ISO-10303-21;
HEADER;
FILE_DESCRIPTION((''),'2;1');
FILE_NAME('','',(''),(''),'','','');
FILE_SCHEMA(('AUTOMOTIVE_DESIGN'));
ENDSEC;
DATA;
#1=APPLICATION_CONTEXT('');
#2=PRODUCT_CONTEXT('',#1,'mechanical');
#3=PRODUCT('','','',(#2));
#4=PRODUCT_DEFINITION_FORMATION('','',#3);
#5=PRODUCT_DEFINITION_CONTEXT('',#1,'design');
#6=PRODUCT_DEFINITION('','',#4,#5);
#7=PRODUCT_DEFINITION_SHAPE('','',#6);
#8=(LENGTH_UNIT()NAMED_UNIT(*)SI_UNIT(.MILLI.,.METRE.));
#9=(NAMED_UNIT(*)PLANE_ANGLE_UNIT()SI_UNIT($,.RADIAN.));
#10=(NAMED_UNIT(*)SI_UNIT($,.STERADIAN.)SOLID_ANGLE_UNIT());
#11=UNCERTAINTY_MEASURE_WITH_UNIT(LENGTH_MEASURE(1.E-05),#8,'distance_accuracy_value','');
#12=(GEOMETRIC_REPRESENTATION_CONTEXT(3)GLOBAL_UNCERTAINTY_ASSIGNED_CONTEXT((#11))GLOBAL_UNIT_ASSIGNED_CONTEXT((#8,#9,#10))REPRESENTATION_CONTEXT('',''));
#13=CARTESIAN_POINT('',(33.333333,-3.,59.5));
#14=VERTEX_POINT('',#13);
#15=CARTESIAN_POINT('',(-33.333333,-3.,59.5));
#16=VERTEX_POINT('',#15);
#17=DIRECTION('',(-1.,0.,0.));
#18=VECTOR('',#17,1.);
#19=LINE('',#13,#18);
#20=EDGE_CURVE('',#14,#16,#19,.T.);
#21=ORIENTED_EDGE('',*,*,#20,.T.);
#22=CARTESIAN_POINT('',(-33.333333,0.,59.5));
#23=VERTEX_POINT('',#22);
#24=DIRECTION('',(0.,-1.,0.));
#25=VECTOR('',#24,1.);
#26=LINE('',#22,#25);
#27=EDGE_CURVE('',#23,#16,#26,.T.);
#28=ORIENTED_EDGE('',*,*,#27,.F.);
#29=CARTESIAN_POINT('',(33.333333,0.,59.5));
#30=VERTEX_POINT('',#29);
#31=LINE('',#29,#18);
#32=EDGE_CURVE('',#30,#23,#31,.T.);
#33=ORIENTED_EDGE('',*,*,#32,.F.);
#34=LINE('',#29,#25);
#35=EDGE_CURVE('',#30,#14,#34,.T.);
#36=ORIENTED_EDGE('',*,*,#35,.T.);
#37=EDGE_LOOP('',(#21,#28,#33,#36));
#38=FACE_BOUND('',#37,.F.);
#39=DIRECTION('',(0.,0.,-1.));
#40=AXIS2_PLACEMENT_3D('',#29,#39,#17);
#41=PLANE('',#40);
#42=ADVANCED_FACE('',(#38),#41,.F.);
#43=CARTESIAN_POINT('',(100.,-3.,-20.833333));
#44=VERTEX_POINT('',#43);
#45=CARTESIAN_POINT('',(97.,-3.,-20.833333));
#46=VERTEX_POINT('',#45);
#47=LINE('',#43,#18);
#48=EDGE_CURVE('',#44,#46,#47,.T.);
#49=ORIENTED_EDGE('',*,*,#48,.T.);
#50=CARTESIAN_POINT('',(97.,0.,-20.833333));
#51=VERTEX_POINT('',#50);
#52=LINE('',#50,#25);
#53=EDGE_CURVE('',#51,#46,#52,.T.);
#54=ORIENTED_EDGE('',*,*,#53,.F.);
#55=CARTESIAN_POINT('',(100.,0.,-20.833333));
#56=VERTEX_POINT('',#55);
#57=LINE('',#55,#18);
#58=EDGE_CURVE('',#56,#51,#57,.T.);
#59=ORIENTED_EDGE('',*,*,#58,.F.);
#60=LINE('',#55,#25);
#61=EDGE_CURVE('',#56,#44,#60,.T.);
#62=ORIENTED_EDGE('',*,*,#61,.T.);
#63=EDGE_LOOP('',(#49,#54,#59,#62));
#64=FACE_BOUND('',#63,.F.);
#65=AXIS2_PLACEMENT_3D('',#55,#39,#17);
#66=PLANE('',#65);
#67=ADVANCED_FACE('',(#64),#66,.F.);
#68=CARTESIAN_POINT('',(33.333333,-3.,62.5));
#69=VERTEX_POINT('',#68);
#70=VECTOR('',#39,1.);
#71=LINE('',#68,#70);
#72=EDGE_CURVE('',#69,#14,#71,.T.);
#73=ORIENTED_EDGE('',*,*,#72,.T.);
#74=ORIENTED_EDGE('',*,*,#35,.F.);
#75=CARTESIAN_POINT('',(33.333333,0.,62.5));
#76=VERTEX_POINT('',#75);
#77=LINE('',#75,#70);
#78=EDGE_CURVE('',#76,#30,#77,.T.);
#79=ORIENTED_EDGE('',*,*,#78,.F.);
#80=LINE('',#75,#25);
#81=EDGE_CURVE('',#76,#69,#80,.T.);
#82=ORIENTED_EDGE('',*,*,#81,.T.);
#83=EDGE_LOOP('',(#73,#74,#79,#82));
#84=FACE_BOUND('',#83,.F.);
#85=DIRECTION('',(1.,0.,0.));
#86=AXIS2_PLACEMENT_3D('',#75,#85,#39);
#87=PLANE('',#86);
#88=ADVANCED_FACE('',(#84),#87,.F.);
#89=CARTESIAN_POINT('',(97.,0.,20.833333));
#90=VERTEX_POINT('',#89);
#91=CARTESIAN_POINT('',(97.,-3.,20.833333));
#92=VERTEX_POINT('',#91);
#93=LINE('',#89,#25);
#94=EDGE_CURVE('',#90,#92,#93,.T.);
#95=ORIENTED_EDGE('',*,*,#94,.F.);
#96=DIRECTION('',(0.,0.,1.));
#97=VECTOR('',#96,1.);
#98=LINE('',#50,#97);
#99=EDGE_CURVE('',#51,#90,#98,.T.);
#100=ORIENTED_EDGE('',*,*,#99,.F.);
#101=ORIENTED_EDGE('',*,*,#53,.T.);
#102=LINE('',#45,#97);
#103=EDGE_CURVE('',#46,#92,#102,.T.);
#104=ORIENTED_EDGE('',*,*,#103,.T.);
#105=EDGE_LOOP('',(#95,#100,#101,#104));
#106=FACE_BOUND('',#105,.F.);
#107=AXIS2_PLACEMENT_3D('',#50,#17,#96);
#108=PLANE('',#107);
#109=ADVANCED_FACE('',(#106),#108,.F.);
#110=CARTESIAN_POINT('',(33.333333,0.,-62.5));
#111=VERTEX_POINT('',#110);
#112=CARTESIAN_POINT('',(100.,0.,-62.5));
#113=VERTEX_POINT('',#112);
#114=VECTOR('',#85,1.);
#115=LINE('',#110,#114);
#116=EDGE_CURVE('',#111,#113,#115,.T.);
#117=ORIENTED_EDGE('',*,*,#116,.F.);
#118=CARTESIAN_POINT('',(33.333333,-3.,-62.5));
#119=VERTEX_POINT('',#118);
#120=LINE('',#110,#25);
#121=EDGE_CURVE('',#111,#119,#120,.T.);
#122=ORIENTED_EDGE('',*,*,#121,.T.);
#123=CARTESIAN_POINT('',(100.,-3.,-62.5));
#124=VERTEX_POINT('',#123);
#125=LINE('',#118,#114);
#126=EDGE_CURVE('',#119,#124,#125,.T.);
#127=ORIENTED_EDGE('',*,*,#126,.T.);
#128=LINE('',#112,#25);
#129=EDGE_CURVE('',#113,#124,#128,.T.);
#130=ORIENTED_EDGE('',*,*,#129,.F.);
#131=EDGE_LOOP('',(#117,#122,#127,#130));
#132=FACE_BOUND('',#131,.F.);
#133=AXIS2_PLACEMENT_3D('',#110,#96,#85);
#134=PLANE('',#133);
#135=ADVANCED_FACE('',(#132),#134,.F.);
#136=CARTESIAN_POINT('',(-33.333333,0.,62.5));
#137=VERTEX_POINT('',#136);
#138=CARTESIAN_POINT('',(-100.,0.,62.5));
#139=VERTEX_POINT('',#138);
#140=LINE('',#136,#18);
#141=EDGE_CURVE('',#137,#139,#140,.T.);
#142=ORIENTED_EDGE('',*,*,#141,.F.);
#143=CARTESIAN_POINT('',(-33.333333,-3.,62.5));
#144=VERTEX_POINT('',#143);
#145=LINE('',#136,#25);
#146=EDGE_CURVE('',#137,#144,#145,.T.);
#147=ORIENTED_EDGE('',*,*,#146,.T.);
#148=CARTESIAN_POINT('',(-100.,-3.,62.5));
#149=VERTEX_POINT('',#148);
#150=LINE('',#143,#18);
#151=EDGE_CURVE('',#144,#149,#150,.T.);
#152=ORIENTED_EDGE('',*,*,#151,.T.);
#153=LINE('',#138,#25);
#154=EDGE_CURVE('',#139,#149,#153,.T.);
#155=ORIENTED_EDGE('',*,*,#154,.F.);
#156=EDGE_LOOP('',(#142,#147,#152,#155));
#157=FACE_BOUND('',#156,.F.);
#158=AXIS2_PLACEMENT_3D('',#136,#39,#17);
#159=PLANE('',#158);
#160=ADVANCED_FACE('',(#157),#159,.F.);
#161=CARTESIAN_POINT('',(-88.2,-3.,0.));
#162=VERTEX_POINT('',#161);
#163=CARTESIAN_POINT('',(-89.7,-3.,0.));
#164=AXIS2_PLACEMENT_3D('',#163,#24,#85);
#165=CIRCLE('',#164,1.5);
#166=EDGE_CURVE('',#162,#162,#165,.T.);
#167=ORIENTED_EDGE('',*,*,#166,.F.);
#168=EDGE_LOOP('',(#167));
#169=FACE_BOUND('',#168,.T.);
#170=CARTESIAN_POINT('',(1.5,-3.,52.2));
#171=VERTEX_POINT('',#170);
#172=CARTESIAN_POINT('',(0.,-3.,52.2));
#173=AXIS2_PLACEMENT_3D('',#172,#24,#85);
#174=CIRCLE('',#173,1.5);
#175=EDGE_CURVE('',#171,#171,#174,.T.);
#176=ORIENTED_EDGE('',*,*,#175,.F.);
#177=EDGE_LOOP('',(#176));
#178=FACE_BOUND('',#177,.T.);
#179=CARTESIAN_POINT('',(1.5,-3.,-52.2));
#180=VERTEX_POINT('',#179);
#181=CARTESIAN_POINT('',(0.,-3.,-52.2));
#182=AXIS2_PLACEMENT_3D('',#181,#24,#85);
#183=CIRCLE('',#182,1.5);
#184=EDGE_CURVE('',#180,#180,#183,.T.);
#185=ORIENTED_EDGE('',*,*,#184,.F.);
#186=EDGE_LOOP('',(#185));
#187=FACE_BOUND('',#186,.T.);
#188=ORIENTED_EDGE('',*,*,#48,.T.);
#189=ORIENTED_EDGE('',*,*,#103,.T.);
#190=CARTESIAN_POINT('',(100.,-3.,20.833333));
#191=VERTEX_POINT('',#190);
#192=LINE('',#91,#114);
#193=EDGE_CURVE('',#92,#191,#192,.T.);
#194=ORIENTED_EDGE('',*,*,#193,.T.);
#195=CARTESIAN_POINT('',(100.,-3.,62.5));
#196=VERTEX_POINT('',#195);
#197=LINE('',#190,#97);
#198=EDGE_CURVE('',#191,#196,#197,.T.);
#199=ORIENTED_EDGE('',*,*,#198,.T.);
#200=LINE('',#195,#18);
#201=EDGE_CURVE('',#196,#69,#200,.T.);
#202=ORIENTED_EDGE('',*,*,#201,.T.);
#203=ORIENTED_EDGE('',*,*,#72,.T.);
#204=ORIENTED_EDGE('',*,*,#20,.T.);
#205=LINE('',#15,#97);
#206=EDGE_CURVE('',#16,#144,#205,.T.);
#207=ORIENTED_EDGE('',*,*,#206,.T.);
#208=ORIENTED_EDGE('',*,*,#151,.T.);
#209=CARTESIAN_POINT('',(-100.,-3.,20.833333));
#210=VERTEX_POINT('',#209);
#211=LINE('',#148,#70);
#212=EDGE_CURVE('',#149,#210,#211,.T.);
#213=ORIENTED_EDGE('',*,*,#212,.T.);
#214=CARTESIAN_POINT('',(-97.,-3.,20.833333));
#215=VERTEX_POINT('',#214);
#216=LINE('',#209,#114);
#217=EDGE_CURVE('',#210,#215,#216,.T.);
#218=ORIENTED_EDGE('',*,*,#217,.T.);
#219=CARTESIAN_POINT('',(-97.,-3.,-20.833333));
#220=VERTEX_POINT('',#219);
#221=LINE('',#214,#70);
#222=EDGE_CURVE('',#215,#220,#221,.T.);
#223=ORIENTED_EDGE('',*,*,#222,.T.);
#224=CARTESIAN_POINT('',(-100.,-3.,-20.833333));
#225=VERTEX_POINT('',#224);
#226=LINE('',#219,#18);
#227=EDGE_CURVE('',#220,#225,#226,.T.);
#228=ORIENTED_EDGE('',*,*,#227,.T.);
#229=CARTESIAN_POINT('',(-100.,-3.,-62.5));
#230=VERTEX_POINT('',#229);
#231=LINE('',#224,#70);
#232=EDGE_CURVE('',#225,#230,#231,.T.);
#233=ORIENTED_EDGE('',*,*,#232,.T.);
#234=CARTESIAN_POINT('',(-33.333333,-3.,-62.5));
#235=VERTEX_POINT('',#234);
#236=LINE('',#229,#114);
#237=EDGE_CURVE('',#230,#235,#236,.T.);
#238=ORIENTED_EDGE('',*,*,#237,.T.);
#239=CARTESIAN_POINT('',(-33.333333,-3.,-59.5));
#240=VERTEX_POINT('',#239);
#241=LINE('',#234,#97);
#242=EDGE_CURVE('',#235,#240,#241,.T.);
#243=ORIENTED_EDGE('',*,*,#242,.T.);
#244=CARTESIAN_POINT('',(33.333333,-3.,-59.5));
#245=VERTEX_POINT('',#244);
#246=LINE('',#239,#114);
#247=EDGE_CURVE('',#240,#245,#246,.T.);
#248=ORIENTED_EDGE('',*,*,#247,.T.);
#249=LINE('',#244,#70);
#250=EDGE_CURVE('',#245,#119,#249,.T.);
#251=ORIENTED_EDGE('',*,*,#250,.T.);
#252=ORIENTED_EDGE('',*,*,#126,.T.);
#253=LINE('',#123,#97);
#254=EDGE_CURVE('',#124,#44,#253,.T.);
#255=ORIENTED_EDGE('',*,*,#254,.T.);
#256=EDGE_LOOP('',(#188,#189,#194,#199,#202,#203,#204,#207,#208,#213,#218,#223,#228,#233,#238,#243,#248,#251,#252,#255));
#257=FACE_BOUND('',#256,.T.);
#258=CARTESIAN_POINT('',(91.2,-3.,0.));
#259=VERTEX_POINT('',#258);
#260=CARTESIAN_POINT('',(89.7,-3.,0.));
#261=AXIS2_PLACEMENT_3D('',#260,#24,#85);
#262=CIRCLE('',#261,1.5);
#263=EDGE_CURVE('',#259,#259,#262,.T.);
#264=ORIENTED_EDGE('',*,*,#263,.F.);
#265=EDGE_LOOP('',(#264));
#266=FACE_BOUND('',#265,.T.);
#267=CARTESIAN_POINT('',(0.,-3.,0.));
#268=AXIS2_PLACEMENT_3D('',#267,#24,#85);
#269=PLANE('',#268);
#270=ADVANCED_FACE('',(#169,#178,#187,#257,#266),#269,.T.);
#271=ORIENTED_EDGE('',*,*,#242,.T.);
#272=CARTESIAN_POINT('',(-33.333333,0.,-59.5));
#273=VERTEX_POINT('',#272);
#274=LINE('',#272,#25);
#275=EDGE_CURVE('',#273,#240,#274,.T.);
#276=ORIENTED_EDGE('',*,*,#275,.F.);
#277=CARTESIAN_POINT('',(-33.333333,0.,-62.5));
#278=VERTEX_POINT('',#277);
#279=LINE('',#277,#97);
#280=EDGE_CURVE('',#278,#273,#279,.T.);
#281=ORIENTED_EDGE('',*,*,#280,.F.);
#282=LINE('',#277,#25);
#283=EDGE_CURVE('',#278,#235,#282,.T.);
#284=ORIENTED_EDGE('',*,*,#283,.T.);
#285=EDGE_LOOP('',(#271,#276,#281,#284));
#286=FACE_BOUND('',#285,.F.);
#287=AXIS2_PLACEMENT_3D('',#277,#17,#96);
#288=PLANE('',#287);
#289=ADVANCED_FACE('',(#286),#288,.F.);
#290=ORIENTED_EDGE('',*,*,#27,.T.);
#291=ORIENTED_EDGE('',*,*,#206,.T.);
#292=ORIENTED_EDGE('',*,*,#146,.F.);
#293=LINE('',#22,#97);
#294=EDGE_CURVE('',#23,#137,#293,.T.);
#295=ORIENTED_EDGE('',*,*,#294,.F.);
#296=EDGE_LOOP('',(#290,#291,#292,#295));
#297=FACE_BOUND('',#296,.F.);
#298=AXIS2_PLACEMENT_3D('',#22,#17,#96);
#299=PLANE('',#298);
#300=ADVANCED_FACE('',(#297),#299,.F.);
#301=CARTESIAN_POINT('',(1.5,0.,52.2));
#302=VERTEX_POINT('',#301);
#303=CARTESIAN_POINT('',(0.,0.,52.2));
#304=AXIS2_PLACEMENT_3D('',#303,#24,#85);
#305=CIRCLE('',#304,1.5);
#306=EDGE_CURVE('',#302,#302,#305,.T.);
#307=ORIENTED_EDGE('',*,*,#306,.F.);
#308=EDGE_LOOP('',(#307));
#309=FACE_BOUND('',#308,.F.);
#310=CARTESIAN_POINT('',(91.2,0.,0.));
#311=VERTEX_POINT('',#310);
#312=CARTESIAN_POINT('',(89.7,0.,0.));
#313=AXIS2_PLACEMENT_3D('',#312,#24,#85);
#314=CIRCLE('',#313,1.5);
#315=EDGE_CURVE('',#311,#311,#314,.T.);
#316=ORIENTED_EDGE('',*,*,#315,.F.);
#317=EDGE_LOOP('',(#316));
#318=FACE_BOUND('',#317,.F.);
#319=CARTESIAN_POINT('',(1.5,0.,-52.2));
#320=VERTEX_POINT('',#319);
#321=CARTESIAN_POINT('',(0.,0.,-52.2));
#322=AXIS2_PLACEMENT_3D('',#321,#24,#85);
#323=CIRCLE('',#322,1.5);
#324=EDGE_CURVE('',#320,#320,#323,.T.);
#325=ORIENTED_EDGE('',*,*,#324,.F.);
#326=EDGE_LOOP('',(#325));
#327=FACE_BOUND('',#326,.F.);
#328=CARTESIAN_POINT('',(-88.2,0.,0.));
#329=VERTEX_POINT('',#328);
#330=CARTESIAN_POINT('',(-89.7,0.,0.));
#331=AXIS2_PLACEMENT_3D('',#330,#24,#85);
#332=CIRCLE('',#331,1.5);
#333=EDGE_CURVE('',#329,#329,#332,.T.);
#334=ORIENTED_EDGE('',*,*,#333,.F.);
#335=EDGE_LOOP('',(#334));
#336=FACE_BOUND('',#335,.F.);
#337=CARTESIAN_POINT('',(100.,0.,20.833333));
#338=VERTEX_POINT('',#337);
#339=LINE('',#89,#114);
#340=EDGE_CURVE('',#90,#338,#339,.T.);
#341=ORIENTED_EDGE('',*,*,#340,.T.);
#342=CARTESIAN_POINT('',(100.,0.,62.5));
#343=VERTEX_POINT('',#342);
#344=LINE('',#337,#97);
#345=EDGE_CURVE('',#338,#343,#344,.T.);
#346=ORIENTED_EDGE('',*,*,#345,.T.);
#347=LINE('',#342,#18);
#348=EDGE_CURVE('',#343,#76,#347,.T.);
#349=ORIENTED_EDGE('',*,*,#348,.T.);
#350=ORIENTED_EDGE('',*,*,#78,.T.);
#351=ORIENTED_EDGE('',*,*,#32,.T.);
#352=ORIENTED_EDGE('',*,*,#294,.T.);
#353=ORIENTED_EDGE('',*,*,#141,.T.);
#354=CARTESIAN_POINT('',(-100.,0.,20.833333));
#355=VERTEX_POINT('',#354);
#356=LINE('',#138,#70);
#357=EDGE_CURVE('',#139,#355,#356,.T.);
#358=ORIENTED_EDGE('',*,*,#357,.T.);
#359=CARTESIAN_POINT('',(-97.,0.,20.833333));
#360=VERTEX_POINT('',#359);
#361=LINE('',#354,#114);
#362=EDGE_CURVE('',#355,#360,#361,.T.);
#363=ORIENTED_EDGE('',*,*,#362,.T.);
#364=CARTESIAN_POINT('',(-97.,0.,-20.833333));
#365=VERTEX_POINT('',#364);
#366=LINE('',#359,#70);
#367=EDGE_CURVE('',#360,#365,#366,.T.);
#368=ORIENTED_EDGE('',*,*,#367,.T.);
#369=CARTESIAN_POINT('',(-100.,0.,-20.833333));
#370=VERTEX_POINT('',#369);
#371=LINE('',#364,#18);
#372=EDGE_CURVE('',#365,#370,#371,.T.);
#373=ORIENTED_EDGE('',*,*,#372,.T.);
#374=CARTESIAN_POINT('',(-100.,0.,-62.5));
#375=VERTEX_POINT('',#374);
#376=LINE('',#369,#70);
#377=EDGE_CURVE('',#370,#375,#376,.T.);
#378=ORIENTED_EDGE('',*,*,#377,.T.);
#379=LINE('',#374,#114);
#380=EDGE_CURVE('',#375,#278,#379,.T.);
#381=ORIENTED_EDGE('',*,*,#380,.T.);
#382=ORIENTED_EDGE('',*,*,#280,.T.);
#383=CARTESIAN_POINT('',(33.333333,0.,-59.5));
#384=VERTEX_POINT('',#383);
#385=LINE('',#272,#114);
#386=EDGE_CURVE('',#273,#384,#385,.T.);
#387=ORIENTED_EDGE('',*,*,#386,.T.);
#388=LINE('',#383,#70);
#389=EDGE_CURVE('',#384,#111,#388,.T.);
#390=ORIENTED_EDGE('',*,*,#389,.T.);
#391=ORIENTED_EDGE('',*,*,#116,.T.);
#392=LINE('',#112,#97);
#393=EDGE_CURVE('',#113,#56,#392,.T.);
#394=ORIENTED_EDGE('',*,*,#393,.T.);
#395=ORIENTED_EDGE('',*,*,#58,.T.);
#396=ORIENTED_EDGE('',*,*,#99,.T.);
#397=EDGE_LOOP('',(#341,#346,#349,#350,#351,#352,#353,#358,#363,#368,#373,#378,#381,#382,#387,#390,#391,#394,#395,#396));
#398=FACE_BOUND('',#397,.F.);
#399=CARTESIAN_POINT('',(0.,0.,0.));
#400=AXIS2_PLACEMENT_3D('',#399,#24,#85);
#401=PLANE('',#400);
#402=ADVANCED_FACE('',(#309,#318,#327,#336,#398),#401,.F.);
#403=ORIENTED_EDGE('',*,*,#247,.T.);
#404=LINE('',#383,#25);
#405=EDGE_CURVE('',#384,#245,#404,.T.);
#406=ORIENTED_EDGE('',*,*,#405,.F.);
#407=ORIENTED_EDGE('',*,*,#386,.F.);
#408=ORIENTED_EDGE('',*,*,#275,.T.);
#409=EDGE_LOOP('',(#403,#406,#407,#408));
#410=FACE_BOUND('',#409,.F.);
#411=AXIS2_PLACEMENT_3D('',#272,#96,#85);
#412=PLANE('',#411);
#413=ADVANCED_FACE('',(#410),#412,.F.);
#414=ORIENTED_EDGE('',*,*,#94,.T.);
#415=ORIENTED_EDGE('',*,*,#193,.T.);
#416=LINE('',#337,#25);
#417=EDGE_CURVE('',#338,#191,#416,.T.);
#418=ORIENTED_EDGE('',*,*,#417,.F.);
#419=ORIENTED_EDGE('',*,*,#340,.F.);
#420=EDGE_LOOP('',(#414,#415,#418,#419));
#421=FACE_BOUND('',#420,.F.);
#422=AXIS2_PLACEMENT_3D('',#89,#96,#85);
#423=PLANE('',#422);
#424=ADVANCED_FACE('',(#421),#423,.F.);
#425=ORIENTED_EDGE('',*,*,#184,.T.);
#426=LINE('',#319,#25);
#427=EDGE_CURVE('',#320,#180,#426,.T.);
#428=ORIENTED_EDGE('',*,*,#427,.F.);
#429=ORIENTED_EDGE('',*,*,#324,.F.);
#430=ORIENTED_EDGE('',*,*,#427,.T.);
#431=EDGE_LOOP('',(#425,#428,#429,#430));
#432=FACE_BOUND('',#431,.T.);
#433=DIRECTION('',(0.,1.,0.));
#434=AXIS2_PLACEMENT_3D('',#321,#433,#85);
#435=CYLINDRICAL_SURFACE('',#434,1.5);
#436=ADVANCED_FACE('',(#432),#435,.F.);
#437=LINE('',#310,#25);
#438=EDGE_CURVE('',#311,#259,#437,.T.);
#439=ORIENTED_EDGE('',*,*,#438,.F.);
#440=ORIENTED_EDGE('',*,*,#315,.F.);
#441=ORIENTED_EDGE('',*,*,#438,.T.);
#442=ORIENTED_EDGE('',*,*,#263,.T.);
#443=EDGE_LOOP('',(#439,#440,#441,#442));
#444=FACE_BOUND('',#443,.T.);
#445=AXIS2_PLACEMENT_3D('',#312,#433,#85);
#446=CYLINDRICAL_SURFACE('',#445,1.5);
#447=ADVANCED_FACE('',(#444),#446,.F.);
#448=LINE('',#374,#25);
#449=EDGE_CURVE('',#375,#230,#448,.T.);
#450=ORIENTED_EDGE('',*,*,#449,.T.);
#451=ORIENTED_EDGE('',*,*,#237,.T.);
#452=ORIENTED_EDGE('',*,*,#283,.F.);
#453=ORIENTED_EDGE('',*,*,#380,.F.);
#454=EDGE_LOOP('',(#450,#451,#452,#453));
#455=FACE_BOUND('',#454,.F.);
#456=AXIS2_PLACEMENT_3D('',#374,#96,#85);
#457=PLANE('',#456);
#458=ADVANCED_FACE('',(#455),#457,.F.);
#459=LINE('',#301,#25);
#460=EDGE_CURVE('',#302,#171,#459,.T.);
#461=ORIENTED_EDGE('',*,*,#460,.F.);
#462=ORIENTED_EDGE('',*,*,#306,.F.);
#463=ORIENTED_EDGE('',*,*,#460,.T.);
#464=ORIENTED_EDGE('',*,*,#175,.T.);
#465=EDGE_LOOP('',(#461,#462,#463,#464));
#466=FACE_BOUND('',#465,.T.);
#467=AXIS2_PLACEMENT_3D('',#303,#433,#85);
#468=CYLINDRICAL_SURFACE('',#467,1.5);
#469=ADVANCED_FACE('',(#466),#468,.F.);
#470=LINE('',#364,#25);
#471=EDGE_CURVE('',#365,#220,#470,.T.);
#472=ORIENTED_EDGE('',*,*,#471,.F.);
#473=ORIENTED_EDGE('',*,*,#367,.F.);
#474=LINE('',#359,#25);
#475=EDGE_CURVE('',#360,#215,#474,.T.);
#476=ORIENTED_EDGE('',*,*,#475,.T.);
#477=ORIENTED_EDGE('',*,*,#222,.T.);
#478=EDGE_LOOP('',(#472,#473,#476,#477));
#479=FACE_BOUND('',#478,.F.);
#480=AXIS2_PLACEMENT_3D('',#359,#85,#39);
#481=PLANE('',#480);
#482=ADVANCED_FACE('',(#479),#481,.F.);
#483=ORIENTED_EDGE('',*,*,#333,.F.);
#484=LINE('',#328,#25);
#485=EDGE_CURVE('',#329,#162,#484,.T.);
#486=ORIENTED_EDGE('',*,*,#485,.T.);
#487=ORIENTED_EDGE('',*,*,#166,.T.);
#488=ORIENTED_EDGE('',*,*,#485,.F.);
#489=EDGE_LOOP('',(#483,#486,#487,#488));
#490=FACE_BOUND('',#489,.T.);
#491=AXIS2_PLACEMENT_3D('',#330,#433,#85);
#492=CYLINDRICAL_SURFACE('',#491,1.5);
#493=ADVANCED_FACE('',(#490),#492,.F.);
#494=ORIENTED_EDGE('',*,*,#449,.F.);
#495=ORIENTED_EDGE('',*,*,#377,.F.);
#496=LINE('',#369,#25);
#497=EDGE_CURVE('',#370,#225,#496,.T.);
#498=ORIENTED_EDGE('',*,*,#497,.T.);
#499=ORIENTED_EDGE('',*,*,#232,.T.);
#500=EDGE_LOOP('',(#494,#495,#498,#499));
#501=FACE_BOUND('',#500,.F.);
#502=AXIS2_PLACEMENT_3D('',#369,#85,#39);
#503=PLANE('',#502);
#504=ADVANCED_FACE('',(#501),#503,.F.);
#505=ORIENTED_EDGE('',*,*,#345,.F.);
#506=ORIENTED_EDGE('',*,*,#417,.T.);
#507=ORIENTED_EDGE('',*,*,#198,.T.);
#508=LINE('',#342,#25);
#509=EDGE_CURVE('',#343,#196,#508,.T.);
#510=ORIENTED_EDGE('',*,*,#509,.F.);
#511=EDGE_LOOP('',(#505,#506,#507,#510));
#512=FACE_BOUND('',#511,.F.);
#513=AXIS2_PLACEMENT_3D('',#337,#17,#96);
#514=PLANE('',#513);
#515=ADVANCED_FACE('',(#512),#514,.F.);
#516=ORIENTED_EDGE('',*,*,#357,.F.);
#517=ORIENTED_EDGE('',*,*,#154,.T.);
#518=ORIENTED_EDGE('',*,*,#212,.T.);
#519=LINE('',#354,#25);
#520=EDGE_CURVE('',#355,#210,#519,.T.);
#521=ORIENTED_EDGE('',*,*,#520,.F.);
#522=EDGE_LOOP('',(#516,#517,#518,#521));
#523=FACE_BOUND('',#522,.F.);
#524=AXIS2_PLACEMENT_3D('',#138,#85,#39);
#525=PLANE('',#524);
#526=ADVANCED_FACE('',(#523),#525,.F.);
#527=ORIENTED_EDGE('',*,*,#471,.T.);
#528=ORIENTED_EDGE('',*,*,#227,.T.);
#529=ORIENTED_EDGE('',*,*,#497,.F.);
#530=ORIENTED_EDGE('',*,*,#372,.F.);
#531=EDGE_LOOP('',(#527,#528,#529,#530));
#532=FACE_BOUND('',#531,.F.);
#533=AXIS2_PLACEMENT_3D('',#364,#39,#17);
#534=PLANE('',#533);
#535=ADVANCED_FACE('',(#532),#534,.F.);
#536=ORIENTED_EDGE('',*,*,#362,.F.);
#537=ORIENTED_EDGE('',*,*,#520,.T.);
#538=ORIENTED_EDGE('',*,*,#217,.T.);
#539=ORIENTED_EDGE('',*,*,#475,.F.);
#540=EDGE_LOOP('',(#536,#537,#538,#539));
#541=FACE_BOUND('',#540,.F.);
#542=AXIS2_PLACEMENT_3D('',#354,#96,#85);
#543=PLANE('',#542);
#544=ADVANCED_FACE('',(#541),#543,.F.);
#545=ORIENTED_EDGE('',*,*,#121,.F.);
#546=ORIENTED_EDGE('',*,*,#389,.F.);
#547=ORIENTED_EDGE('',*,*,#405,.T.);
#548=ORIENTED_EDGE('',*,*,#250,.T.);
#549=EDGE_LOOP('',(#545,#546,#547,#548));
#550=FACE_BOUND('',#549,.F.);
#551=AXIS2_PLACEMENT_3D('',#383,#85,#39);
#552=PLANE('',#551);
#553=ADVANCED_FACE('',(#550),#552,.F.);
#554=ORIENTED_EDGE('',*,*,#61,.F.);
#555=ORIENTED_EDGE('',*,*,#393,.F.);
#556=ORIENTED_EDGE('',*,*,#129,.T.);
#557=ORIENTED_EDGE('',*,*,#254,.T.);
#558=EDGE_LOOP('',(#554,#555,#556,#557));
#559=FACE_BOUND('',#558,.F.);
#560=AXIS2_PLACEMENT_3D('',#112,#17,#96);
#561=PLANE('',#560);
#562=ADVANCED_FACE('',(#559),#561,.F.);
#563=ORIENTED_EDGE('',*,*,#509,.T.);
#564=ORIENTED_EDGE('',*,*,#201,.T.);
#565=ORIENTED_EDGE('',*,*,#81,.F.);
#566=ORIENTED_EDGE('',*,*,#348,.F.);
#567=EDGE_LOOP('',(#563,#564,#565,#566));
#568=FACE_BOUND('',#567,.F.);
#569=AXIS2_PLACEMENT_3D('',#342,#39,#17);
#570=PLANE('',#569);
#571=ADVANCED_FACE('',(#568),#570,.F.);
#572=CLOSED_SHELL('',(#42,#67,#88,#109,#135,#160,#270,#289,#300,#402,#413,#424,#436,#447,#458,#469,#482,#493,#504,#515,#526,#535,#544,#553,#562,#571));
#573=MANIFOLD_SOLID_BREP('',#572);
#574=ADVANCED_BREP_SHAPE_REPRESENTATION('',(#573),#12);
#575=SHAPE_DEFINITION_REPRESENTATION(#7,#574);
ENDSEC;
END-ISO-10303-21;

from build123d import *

# Parameters (mm, degrees)
F0_R     = 1.5
F1_DEPTH = 3


with BuildPart() as f1:
    # F0 (on Front) → F1 (new body)
    with BuildSketch(Plane.XZ):
        Polygon((-100, -20.833333), (-100, -62.5), (-33.333333, -62.5), (-33.333333, -59.5), (33.333333, -59.5), (33.333333, -62.5), (100, -62.5), (100, -20.833333), (97, -20.833333), (97, 20.833333), (100, 20.833333), (100, 62.5), (33.333333, 62.5), (33.333333, 59.5), (-33.333333, 59.5), (-33.333333, 62.5), (-100, 62.5), (-100, 20.833333), (-97, 20.833333), (-97, -20.833333), align=None)
        with Locations((0, -52.2)):
            Circle(F0_R, mode=Mode.SUBTRACT)
        with Locations((-89.7, 0)):
            Circle(F0_R, mode=Mode.SUBTRACT)
        with Locations((89.7, 0)):
            Circle(F0_R, mode=Mode.SUBTRACT)
        with Locations((0, 52.2)):
            Circle(F0_R, mode=Mode.SUBTRACT)
    extrude(amount=F1_DEPTH)


with BuildPart() as f2_1:
    # F2: copy of F1
    add(f1.part.moved(Location((0, 60, 0))))


solid = f1.part
